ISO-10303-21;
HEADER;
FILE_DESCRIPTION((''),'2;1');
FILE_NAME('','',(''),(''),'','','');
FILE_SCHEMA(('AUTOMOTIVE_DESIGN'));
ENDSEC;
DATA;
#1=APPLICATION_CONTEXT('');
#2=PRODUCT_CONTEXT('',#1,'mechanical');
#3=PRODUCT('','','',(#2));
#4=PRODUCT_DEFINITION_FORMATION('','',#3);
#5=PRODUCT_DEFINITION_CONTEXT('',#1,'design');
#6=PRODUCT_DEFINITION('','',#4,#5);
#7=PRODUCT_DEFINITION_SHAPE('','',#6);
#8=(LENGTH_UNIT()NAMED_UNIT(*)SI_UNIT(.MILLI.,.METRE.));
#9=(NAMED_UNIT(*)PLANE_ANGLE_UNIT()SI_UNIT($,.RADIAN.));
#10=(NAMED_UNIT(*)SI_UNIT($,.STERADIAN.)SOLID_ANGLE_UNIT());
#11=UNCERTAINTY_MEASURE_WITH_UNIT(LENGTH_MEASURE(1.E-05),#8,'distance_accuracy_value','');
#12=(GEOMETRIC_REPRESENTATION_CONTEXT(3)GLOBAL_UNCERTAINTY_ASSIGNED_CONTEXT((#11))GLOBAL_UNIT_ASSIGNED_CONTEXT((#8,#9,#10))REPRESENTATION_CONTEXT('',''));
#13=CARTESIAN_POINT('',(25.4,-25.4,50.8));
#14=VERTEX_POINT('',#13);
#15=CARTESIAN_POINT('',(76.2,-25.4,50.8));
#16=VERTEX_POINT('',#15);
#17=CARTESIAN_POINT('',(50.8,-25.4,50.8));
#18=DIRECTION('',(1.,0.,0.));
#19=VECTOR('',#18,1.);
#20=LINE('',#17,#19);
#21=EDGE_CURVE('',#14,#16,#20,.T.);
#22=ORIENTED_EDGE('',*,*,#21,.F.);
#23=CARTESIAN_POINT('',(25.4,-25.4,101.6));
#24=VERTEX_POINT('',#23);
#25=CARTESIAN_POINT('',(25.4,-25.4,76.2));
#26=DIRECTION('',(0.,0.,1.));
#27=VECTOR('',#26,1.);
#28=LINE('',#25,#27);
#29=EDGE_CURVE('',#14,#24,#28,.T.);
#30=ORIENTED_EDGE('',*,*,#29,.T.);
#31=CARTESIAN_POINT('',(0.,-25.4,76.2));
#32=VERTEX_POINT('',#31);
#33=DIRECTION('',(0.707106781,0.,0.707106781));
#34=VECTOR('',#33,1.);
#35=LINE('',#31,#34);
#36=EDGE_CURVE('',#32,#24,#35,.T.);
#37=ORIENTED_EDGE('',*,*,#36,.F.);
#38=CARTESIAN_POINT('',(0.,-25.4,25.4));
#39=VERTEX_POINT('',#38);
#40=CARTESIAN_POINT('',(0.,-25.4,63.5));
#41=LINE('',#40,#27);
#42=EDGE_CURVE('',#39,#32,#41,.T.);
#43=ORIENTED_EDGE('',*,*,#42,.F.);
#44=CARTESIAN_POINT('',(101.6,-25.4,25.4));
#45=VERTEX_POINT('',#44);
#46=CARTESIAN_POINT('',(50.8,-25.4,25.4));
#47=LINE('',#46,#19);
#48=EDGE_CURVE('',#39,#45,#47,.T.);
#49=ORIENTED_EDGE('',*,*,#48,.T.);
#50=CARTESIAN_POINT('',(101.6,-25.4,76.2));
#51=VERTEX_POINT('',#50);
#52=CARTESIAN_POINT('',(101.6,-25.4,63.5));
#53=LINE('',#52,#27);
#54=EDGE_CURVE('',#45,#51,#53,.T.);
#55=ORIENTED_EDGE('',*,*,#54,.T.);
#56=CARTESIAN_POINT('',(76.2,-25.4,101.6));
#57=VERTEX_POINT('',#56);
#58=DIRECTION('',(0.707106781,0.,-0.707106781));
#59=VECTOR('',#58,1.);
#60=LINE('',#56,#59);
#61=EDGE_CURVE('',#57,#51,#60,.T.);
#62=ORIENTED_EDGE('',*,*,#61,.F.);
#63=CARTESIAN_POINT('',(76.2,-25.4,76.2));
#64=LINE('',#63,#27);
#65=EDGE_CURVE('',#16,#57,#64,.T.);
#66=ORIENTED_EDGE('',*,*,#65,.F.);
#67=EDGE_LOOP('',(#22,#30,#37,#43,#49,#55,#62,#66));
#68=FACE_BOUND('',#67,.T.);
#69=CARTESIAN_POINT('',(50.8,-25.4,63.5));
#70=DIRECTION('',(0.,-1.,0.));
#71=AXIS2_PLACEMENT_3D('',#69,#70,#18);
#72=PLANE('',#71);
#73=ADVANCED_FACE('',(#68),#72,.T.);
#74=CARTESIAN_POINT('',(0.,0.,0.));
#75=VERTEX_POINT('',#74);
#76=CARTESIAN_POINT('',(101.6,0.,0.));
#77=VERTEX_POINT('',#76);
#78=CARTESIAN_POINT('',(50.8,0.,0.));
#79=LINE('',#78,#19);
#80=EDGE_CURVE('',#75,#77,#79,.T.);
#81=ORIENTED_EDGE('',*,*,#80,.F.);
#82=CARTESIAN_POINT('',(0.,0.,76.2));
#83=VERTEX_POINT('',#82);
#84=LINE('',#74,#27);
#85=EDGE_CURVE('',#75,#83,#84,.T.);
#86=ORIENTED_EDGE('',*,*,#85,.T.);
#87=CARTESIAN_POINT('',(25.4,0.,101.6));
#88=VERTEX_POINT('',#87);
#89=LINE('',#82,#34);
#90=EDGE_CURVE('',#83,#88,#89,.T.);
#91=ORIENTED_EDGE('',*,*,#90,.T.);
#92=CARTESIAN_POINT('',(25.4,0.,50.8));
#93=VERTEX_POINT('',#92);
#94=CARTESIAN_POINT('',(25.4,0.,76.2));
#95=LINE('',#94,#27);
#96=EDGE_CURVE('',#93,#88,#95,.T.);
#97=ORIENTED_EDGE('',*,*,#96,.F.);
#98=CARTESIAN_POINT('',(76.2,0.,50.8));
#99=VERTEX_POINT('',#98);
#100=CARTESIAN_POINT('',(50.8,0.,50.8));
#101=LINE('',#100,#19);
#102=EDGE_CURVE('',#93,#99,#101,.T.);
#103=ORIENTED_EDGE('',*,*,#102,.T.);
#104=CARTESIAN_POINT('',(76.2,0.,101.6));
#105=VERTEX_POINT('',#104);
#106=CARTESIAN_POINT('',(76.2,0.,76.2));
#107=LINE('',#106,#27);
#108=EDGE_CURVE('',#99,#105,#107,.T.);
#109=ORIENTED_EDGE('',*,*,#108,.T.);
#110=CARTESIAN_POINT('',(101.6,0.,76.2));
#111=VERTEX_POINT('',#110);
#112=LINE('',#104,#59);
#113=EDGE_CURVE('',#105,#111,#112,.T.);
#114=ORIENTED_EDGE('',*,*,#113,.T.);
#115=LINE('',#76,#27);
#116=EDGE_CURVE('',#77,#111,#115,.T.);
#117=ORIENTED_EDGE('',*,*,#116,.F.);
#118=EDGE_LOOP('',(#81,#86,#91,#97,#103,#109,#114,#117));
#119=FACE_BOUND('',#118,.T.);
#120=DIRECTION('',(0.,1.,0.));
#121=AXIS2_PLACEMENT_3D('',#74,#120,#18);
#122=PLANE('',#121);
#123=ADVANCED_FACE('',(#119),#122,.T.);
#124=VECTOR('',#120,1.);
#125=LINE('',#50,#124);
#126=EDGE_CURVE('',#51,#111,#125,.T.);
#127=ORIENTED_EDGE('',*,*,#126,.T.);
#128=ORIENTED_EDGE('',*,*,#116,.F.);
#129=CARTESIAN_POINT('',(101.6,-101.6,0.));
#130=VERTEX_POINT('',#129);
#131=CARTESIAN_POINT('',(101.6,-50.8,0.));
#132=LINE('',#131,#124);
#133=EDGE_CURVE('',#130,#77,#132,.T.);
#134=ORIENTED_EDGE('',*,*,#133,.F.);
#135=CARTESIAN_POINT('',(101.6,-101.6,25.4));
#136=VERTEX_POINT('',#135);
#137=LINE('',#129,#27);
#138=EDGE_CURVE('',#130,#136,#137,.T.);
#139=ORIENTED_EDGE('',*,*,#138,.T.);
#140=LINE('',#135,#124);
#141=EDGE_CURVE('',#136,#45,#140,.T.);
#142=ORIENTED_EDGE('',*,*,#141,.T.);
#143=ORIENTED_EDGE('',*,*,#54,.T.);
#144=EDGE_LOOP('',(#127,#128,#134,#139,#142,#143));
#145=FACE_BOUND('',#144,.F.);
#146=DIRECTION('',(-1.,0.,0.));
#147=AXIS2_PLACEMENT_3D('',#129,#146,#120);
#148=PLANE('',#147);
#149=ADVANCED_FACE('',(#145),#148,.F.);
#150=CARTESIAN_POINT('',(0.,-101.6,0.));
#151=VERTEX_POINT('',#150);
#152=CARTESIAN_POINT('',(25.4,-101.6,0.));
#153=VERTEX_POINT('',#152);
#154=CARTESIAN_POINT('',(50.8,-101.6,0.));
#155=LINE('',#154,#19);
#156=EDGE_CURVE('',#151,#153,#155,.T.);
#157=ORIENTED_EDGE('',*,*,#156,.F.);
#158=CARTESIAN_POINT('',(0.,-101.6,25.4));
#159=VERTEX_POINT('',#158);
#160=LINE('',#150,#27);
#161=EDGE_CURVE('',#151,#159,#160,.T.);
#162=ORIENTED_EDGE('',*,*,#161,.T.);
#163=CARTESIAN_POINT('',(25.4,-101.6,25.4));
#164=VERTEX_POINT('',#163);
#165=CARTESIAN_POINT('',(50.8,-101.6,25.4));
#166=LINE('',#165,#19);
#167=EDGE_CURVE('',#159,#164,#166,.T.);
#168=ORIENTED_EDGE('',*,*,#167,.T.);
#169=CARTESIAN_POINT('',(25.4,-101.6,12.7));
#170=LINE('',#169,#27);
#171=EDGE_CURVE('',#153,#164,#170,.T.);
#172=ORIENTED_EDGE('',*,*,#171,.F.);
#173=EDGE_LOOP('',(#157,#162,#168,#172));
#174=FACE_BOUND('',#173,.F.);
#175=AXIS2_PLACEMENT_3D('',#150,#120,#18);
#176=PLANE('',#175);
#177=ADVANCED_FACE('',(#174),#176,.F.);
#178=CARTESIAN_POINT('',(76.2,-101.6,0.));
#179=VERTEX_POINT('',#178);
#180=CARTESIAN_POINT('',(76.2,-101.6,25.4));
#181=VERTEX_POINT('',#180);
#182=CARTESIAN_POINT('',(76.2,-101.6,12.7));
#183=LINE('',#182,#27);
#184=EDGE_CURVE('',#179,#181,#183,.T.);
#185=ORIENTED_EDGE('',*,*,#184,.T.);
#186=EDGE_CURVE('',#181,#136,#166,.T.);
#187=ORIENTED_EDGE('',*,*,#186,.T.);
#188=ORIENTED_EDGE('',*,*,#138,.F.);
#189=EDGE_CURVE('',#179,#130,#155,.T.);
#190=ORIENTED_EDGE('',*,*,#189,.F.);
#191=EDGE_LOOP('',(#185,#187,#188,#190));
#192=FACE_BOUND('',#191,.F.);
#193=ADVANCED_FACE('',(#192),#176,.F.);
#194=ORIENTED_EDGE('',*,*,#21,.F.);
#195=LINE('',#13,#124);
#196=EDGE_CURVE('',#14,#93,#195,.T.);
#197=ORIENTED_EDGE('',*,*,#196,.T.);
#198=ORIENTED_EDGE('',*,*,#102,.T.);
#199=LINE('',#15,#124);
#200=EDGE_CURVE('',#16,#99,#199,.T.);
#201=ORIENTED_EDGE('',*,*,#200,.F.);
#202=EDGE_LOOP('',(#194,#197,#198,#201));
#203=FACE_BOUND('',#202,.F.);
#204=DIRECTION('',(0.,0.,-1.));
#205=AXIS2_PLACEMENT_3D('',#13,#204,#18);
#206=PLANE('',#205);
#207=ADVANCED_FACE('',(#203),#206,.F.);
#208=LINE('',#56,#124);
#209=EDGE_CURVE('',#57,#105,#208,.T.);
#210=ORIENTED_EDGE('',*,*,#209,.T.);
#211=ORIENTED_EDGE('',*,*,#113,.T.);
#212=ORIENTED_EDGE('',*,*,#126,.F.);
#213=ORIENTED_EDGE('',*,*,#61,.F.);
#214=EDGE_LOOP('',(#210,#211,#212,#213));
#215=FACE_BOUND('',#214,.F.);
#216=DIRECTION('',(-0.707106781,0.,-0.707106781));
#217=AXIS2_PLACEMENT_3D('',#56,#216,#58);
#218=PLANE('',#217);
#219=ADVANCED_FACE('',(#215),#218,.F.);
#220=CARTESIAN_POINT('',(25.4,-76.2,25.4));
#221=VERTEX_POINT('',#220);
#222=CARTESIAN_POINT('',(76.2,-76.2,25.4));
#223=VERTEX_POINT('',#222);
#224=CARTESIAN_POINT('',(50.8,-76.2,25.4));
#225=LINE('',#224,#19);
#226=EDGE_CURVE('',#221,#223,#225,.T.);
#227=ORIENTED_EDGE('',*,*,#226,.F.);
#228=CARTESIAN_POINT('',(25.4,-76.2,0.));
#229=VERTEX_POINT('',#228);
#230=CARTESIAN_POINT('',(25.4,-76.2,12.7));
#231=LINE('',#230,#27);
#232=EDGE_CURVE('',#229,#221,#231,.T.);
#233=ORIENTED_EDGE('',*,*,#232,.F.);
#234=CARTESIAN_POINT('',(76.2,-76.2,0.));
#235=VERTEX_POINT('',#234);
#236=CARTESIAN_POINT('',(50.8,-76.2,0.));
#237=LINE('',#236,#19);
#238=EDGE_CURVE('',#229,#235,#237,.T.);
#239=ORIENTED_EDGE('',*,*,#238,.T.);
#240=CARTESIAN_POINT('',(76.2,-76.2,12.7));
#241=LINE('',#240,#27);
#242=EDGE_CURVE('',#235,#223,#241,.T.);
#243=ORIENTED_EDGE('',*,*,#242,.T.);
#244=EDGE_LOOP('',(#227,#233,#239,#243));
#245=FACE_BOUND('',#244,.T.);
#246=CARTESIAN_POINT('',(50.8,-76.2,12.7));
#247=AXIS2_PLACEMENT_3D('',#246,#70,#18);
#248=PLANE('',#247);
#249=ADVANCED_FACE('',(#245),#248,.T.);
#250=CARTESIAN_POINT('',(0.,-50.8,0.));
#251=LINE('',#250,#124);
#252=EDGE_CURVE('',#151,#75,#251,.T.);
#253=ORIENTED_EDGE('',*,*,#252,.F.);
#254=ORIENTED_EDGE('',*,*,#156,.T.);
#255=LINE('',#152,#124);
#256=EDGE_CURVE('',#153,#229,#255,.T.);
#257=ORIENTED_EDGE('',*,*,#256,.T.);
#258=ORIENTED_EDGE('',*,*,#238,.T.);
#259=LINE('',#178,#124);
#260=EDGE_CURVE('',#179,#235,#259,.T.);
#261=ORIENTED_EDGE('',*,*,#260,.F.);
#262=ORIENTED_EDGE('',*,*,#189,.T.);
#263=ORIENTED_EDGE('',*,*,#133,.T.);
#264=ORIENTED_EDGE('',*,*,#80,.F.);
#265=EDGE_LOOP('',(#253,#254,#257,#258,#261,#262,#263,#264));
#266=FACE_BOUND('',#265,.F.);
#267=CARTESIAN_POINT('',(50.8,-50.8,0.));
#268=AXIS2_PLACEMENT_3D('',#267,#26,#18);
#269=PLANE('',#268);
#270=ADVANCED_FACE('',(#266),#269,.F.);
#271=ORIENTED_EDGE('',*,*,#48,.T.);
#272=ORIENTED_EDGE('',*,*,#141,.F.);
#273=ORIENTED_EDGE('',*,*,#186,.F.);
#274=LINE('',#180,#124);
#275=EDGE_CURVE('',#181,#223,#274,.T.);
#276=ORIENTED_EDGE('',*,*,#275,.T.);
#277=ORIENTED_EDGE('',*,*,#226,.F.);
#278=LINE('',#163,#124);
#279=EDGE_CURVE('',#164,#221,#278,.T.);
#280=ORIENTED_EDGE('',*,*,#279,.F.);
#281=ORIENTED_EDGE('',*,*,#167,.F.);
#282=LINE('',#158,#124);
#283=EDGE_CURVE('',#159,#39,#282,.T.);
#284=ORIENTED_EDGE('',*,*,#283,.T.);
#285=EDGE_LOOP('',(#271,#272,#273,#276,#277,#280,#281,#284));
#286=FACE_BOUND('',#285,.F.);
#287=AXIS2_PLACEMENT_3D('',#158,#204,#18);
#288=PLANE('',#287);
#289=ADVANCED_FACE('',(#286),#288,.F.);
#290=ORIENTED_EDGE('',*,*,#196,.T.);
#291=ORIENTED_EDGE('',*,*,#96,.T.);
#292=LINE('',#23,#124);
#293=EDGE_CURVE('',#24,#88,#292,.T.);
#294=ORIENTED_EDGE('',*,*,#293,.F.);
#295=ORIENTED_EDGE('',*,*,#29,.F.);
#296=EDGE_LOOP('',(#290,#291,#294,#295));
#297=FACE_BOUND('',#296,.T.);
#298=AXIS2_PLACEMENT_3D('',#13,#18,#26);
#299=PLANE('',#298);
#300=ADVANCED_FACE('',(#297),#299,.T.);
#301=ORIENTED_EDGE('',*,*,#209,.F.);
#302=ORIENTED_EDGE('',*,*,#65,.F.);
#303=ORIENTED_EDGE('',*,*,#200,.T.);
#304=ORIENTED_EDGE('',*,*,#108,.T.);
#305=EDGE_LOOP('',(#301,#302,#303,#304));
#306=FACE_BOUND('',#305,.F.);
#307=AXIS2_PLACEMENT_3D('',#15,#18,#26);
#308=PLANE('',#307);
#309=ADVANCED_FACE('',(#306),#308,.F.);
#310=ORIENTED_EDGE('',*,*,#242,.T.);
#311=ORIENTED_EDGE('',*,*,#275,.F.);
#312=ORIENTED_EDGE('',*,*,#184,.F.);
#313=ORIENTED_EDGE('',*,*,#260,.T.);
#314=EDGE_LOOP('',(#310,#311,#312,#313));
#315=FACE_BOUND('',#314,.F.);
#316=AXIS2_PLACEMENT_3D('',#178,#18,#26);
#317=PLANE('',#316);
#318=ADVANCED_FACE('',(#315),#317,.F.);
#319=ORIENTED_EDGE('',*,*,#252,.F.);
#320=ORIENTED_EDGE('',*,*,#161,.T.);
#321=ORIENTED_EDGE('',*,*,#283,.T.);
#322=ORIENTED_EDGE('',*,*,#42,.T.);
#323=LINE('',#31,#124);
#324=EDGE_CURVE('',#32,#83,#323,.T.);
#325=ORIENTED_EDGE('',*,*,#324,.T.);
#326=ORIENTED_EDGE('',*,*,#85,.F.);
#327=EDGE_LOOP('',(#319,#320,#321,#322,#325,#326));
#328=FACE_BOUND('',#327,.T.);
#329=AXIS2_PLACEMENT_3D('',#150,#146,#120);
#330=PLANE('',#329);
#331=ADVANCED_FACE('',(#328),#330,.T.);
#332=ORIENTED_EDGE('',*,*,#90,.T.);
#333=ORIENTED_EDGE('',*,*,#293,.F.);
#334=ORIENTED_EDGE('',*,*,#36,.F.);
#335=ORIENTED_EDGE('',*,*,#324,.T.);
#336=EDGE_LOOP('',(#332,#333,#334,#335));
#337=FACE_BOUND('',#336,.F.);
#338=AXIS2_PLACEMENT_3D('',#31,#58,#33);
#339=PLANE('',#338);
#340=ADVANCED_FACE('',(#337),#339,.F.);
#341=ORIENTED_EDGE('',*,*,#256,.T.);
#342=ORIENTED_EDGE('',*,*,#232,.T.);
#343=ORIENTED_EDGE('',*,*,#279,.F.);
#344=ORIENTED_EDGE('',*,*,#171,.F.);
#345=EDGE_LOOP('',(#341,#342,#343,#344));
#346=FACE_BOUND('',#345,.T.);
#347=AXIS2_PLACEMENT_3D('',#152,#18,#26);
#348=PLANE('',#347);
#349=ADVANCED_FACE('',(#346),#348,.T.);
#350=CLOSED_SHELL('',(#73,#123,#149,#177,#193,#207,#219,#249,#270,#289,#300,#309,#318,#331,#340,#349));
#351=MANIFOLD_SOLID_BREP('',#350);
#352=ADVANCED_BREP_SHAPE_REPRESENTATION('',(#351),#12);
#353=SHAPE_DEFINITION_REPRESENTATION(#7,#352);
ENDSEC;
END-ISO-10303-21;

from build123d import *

# Parameters (mm, degrees)
F0_W     = 101.6
F0_H     = 101.6
F1_DEPTH = 101.6
F2_W     = 101.6
F2_H     = 76.2
F3_DEPTH = 76.2
F4_W     = 50.8
F4_H     = 25.4
F5_DEPTH = 25.4
F6_W     = 50.8
F6_H     = 50.8
F7_DEPTH = 25.4
F9_DEPTH = 25.4


with BuildPart() as f1:
    # F0 (on Top) → F1 (new body)
    with BuildSketch(Plane.XY):
        with Locations((50.8, -50.8)):
            Rectangle(F0_W, F0_H)
    extrude(amount=F1_DEPTH)

    # F2 (on face) → F3 (cut)
    with BuildSketch(Plane.XZ.offset(101.6)):
        with Locations((50.8, 63.5)):
            Rectangle(F2_W, F2_H)
    extrude(amount=-F3_DEPTH, mode=Mode.SUBTRACT)

    # F4 (on face) → F5 (cut)
    with BuildSketch(Plane.XZ.offset(101.6)):
        with Locations((50.8, 12.7)):
            Rectangle(F4_W, F4_H)
    extrude(amount=-F5_DEPTH, mode=Mode.SUBTRACT)

    # F6 (on face) → F7 (cut)
    with BuildSketch(Plane.XZ.offset(25.4)):
        with Locations((50.8, 76.2)):
            Rectangle(F6_W, F6_H)
    extrude(amount=-F7_DEPTH, mode=Mode.SUBTRACT)

    # F8 (on face) → F9 (cut)
    with BuildSketch(Plane.XZ.offset(25.4)):
        Polygon((25.4, 101.6), (0, 101.6), (0, 76.2), align=None)
        Polygon((101.6, 76.2), (101.6, 101.6), (76.2, 101.6), align=None)
    extrude(amount=-F9_DEPTH, mode=Mode.SUBTRACT)


solid = f1.part
